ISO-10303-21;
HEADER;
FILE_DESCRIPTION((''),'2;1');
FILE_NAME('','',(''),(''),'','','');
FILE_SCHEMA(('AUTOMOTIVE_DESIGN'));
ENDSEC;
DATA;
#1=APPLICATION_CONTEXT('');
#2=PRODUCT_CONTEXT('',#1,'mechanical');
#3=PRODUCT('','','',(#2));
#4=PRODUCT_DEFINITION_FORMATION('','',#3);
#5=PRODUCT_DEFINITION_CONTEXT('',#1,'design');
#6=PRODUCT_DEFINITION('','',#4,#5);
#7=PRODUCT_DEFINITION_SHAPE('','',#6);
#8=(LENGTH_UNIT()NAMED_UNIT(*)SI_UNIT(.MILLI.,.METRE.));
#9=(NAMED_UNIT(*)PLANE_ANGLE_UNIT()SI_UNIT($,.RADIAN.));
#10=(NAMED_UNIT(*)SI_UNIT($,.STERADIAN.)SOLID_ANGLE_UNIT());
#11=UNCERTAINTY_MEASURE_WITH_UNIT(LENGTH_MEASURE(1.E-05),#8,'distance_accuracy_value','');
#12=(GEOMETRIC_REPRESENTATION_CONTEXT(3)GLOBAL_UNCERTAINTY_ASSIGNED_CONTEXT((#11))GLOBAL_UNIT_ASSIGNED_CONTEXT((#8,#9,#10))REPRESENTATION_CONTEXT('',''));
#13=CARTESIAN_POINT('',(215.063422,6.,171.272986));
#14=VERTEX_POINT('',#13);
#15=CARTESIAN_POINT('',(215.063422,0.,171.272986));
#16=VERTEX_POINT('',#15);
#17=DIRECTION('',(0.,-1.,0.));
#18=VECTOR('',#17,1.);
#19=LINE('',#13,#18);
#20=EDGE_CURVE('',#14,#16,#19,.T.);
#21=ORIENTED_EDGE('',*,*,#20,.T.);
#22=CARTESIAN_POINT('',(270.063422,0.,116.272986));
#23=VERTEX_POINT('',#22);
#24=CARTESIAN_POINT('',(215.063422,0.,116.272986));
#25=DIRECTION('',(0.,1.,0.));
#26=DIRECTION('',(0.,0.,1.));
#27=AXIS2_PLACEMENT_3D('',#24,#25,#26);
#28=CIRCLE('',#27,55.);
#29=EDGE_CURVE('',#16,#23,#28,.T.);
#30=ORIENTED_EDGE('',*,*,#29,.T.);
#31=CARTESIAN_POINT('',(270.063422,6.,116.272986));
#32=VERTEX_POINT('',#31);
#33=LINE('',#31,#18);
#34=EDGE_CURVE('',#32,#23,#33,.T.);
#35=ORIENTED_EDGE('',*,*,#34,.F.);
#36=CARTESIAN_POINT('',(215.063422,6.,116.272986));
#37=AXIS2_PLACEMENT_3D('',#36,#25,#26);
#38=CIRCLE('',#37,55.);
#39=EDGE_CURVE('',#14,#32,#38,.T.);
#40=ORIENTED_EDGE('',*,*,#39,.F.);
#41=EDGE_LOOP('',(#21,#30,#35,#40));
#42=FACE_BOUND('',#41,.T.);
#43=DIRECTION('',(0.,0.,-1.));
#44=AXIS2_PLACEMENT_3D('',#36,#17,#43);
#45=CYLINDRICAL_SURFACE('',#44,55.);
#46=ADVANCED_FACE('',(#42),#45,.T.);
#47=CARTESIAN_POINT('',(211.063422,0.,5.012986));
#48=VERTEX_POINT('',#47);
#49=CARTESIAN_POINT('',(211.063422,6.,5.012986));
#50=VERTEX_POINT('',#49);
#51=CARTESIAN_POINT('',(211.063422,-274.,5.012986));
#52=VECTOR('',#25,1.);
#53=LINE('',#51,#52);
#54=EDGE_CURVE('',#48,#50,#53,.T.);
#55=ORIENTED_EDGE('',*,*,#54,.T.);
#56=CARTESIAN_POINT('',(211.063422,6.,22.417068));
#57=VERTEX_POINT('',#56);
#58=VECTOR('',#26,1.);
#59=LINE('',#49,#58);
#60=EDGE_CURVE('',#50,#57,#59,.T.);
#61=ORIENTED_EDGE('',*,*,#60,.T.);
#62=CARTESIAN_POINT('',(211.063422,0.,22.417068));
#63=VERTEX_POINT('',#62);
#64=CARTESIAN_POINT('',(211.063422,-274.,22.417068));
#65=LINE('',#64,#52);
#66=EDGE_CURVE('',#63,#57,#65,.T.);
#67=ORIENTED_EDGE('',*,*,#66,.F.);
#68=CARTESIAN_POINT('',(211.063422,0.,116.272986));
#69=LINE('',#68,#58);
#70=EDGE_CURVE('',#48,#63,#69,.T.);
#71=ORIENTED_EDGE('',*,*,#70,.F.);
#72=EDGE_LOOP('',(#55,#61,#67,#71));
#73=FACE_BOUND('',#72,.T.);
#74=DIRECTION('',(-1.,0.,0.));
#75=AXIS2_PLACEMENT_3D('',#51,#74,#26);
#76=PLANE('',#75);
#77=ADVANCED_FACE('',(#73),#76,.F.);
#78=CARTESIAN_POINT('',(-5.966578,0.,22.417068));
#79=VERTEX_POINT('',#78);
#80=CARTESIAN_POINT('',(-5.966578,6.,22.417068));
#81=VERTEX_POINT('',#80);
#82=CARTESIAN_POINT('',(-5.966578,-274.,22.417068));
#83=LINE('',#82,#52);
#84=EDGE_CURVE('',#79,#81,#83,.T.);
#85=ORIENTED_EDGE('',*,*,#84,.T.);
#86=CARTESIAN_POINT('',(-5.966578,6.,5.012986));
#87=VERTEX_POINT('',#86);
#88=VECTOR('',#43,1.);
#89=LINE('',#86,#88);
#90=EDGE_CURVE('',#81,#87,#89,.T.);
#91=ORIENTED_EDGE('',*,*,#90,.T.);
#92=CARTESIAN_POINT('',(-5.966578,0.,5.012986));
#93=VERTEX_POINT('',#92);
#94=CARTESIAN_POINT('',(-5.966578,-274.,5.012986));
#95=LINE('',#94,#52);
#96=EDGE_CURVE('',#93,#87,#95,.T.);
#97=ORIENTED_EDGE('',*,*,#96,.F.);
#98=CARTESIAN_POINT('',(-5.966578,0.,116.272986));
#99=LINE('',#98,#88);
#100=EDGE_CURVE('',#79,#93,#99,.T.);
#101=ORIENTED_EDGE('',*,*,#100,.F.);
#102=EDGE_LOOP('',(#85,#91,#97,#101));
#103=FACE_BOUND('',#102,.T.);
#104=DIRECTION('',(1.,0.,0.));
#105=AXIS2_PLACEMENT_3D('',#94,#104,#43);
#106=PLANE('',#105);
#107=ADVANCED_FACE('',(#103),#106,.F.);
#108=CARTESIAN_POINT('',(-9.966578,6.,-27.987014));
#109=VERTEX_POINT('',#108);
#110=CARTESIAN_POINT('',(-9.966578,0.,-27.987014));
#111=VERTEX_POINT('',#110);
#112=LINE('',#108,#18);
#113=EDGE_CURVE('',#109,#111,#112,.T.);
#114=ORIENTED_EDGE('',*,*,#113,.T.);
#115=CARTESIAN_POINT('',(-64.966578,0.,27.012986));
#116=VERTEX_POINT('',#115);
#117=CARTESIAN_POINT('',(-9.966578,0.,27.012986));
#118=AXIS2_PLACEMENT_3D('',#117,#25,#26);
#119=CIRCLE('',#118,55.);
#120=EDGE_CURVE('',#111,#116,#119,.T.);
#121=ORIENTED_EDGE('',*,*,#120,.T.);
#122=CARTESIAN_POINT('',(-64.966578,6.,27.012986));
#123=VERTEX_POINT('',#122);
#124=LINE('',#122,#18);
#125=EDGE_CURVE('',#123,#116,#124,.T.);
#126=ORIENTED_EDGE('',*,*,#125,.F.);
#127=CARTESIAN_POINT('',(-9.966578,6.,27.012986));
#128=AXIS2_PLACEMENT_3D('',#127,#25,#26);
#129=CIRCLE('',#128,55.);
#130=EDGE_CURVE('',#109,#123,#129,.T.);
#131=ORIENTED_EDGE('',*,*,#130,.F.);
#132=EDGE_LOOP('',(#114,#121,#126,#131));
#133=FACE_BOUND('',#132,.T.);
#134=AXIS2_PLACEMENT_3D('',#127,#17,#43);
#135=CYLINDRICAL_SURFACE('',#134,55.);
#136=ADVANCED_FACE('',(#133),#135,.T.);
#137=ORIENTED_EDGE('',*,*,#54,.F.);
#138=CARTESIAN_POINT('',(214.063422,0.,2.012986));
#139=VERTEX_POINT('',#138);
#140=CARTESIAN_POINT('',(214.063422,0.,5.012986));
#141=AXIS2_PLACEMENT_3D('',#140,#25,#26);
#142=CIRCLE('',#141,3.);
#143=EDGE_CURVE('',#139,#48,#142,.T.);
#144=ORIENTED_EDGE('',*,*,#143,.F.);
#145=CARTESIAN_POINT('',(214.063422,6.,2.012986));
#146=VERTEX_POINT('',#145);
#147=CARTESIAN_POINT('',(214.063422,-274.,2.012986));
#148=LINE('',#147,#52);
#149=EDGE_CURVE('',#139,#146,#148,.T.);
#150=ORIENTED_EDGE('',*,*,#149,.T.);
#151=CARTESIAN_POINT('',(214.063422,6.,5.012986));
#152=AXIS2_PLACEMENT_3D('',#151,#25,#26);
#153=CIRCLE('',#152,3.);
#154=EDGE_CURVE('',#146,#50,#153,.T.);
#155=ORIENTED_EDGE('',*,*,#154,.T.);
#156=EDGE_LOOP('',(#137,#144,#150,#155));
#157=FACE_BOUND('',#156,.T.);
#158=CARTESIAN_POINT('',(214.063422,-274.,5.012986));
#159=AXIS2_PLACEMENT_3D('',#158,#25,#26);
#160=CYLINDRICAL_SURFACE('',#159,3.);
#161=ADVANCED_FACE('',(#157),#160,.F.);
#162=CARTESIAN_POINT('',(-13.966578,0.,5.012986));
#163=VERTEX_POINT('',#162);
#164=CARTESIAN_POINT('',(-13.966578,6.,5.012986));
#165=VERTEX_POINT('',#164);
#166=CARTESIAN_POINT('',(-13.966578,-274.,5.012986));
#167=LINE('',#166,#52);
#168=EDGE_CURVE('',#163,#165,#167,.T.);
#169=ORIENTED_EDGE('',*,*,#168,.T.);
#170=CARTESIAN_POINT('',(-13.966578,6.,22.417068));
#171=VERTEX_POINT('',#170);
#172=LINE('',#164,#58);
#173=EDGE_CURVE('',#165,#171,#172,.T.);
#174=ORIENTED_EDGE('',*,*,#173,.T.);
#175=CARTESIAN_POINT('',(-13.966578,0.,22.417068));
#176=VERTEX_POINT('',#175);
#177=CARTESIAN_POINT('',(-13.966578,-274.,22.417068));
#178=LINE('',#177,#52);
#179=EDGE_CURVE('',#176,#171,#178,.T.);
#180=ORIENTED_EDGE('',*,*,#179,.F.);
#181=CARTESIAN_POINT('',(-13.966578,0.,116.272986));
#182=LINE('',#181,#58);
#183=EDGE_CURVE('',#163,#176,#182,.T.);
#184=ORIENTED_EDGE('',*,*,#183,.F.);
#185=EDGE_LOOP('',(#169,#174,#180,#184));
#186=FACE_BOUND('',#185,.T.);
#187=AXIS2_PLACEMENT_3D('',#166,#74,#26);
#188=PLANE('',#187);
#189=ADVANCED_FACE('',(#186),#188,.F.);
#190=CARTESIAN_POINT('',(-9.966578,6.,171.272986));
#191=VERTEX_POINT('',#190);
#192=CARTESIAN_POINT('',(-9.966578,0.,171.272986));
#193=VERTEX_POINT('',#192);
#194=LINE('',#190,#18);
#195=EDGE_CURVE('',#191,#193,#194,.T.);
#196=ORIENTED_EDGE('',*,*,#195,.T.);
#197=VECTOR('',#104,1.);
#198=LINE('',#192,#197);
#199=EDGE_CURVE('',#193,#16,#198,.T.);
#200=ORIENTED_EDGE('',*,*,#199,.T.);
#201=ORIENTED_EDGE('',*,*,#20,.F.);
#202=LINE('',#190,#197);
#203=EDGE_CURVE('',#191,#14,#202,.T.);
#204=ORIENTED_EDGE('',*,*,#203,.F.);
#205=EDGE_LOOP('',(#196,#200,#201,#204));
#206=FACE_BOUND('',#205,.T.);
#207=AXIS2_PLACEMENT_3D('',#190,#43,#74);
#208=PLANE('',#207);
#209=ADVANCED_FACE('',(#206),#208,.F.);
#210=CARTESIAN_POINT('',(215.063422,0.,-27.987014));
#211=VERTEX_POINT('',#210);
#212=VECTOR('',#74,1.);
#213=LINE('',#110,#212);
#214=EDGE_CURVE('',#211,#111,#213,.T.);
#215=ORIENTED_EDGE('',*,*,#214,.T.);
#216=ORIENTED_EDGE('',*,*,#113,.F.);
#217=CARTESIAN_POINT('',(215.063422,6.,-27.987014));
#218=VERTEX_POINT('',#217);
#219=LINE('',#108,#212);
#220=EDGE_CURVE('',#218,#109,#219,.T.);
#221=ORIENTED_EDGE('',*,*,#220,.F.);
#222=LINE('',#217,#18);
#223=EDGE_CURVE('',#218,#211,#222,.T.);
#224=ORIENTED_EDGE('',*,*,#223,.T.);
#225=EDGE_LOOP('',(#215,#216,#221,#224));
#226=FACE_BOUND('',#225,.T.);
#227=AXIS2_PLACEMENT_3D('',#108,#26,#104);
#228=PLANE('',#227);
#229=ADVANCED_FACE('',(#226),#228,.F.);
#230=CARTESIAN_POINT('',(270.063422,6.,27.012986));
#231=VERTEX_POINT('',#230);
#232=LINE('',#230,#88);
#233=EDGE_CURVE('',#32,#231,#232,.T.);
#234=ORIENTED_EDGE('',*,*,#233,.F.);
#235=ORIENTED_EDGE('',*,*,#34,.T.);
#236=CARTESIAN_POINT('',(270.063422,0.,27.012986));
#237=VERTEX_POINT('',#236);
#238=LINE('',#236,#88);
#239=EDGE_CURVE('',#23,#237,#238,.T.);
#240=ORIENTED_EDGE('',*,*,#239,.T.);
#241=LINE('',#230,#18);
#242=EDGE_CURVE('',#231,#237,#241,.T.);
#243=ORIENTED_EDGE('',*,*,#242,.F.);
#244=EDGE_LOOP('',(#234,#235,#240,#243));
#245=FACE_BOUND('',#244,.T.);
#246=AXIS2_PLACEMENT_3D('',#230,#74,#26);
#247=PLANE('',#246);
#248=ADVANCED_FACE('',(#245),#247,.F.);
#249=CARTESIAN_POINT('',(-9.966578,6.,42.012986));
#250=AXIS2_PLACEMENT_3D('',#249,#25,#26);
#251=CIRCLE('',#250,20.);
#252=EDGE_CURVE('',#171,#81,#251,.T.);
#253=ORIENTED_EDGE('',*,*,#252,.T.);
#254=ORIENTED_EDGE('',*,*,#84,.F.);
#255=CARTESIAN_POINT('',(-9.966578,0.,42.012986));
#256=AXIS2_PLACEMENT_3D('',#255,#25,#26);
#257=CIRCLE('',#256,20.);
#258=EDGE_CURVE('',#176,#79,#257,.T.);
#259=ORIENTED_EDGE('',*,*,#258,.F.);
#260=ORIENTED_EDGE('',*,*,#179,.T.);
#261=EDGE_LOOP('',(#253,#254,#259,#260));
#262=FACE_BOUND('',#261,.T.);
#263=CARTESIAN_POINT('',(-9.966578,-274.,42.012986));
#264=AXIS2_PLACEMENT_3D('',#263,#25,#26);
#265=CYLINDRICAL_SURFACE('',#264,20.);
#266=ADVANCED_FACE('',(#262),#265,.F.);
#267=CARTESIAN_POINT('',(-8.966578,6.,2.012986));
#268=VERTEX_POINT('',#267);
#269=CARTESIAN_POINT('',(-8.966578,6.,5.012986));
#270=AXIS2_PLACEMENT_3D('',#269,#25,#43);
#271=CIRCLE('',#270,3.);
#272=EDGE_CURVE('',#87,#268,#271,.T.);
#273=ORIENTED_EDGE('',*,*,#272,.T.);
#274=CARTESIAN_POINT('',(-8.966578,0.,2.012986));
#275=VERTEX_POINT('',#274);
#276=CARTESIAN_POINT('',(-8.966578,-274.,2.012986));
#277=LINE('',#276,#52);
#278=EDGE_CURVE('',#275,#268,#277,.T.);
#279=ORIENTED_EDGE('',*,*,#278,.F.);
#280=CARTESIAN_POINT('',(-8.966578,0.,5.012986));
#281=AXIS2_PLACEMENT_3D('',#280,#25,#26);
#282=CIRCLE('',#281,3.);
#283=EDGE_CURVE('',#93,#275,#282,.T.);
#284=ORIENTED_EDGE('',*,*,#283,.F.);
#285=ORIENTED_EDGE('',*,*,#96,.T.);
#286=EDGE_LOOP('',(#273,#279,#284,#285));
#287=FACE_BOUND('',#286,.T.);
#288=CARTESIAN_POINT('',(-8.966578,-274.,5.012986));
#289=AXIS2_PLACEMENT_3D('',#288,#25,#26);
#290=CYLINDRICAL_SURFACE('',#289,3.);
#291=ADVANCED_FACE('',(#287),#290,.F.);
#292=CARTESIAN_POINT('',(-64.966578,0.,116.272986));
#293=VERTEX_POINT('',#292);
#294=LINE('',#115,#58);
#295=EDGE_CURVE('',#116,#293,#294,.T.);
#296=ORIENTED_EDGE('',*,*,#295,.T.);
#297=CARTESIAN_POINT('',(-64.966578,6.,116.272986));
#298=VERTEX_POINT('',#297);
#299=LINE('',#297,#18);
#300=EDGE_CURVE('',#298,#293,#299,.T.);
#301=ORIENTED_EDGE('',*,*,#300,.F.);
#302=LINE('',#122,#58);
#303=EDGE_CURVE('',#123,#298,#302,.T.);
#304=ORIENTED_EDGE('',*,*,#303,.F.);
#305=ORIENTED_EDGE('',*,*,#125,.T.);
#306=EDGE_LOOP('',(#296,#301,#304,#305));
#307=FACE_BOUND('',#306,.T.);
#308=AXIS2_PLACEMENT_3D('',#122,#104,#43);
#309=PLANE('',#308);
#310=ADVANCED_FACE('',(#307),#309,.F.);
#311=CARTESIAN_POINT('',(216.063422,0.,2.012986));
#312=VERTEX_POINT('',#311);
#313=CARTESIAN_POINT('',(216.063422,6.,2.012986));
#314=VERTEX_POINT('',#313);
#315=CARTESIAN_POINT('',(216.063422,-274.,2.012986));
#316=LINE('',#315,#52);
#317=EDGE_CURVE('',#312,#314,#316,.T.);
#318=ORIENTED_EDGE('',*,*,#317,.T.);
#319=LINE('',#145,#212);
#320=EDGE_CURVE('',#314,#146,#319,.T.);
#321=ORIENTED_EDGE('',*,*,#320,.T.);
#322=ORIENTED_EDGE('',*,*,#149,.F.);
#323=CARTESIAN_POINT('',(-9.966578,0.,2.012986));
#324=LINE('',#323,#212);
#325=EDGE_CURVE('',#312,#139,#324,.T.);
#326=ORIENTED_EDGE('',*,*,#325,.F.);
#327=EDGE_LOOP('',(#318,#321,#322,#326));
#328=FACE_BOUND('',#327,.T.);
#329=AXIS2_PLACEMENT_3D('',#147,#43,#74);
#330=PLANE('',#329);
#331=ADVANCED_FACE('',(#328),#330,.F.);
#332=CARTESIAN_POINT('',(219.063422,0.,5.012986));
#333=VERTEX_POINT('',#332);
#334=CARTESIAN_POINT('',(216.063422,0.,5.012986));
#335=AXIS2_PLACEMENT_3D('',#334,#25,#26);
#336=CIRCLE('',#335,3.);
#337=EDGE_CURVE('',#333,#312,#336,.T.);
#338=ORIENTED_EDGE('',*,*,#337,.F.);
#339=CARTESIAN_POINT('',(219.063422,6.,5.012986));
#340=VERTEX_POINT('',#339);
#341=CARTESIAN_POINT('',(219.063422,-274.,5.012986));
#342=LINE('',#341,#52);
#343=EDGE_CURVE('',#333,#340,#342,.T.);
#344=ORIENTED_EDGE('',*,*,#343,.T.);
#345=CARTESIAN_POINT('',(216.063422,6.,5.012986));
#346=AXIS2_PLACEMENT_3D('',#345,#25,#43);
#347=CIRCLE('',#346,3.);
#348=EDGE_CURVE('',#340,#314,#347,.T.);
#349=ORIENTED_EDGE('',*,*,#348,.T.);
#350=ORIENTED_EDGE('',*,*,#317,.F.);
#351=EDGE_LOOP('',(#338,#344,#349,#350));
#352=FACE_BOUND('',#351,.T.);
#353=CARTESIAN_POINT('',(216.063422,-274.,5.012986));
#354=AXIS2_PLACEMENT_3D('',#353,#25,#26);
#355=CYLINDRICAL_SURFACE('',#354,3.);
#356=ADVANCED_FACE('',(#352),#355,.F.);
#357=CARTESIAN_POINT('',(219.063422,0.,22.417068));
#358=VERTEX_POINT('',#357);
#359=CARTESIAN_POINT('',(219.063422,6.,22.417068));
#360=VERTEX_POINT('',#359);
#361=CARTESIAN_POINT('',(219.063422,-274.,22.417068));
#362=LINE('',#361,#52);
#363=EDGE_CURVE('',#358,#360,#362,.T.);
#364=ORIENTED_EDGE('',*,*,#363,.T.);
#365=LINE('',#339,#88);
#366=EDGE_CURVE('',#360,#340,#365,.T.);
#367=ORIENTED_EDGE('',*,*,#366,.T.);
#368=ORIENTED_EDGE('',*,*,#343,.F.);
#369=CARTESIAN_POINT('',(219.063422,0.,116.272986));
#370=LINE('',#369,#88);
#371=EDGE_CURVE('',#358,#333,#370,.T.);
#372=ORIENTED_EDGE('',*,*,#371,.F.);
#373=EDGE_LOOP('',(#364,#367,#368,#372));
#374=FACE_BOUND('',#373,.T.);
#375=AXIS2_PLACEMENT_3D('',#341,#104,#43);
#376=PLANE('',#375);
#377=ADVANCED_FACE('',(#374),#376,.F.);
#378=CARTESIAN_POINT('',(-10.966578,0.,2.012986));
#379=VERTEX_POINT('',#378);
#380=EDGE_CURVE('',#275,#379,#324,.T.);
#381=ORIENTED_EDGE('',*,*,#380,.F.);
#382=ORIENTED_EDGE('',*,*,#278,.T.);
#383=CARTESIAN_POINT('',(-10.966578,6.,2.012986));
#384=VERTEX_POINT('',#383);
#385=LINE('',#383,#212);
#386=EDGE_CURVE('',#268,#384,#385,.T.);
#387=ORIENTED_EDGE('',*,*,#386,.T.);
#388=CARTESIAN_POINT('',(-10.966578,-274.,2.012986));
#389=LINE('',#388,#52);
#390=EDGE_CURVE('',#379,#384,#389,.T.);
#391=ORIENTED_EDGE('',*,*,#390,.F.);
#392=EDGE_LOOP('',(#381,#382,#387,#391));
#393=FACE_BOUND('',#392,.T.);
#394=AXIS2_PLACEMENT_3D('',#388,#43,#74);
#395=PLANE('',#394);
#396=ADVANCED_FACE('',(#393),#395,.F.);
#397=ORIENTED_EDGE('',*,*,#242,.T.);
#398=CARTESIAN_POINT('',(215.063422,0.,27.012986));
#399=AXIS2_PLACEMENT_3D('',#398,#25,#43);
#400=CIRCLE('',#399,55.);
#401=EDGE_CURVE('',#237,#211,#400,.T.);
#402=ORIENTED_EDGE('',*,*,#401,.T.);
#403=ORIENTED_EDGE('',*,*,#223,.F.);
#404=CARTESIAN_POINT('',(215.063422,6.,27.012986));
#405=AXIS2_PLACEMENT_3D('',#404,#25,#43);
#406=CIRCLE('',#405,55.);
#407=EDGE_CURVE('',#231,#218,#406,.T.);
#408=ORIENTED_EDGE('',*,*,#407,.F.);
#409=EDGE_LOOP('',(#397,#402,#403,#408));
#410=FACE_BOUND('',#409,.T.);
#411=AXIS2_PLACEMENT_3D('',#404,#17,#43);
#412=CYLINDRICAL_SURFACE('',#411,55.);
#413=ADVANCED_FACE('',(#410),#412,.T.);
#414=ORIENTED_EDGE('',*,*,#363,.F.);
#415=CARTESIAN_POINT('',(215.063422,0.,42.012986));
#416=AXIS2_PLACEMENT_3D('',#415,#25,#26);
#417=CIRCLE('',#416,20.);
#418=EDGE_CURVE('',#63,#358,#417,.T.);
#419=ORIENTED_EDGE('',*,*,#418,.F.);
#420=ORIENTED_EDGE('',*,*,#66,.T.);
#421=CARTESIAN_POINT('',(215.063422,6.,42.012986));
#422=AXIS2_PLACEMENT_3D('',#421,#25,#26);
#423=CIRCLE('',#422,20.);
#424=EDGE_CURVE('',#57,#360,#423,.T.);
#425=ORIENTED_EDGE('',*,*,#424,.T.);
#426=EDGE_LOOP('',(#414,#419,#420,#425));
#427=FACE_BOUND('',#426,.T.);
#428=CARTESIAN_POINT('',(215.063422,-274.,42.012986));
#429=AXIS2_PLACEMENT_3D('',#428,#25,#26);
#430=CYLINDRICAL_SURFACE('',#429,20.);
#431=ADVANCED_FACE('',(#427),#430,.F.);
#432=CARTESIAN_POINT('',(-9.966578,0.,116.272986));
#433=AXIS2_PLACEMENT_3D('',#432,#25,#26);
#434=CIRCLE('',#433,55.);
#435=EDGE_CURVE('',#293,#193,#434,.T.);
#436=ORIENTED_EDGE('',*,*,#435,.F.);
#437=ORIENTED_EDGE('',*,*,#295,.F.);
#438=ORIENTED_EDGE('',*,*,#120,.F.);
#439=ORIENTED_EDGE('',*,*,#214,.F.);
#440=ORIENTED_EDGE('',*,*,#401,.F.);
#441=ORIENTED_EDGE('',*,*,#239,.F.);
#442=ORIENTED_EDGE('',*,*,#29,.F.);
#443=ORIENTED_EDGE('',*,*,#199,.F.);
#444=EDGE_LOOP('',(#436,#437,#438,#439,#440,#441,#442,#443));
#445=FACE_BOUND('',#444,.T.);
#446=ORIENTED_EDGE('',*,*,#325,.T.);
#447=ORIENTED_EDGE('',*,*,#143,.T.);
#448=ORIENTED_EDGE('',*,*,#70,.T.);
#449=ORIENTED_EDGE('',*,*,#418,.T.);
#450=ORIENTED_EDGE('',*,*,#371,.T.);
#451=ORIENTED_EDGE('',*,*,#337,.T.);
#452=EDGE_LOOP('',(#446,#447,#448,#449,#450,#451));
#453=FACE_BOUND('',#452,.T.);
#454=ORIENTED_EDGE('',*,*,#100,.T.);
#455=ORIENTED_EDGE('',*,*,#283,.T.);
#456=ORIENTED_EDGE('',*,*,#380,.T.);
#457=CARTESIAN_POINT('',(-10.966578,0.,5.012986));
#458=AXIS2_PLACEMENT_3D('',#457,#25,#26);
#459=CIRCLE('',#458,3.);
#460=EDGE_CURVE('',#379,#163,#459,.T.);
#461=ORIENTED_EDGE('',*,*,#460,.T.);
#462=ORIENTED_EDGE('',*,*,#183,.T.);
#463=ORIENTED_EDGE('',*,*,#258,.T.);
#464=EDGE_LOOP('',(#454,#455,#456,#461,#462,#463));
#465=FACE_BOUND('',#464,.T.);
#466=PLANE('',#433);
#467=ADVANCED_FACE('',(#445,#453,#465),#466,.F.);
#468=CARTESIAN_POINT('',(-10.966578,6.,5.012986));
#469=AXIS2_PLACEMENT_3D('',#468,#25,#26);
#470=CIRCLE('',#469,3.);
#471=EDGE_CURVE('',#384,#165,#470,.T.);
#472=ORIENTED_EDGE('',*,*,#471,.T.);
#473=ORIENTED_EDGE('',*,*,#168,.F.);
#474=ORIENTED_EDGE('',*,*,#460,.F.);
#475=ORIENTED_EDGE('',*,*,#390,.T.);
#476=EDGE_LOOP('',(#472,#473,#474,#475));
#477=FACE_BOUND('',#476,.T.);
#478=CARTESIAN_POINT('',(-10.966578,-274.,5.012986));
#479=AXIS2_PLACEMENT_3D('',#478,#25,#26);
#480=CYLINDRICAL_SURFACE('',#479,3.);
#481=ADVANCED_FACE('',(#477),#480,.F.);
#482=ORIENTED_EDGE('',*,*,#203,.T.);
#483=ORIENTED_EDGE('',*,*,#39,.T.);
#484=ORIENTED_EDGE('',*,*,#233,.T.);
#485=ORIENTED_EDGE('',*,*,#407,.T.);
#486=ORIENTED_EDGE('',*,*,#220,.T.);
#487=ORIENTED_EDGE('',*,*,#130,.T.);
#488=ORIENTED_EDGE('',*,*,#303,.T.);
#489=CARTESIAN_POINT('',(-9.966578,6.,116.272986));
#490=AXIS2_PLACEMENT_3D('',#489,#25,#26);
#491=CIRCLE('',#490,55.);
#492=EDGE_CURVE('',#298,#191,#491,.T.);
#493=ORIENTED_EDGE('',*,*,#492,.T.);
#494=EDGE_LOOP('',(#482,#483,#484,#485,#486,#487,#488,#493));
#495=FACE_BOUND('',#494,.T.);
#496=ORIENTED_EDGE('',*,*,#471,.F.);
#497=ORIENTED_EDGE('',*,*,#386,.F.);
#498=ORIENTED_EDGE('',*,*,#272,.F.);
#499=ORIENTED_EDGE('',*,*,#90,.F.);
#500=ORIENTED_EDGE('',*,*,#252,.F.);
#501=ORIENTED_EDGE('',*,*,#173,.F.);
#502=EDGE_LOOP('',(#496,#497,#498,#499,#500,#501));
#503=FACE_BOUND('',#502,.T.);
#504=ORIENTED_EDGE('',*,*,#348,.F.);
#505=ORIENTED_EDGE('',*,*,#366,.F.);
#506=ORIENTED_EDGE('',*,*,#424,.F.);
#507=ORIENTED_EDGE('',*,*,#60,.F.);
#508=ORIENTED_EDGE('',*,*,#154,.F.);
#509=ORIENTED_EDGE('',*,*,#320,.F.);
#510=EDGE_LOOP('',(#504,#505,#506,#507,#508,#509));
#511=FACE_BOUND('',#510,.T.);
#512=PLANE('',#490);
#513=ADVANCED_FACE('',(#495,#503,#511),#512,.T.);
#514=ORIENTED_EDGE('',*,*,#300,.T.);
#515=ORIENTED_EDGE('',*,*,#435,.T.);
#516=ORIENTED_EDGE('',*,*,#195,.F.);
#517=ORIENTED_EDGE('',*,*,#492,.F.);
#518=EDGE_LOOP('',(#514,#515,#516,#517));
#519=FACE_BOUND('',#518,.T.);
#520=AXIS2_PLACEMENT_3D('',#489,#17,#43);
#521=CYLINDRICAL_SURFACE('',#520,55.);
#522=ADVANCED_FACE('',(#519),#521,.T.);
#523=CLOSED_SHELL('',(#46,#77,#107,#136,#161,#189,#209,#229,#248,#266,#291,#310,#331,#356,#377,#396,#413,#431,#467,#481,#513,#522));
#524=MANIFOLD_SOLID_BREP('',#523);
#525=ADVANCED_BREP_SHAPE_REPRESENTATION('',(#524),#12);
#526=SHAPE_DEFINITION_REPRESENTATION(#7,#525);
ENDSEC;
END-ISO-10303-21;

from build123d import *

# Parameters (mm, degrees)
BOSS_EXTRUDE1_DEPTH = 6
CUT_EXTRUDE2_DEPTH  = 280


with BuildPart() as part:
    # Sketch1 → Boss-Extrude1 (new body)
    with BuildSketch(Plane(origin=(0, 0, 0), x_dir=(1, 0, 0), z_dir=(0, 1, 0))):
        with BuildLine():
            Line((-9.966577693, 27.987014401), (215.063422307, 27.987014401))
            ThreePointArc((215.063422307, 27.987014401), (253.954295273, 11.877887367), (270.063422307, -27.012985599))
            Line((270.063422307, -27.012985599), (270.063422307, -116.272985599))
            ThreePointArc((270.063422307, -116.272985599), (253.954295273, -155.163858564), (215.063422307, -171.272985599))
            Line((215.063422307, -171.272985599), (-9.966577693, -171.272985599))
            ThreePointArc((-9.966577693, -171.272985599), (-48.857450658, -155.163858564), (-64.966577693, -116.272985599))
            Line((-64.966577693, -116.272985599), (-64.966577693, -27.012985599))
            ThreePointArc((-64.966577693, -27.012985599), (-48.857450658, 11.877887367), (-9.966577693, 27.987014401))
        make_face()
    extrude(amount=BOSS_EXTRUDE1_DEPTH)

    # Sketch3 → Cut-Extrude2 (cut)
    with BuildSketch(Plane(origin=(0, 6, 0), x_dir=(1, 0, 0), z_dir=(0, 1, 0))):
        with BuildLine():
            Line((-10.966577693, -2.012985599), (-8.966577693, -2.012985599))
            ThreePointArc((-8.966577693, -2.012985599), (-6.845257349, -2.891665255), (-5.966577693, -5.012985599))
            Line((-5.966577693, -5.012985599), (-5.966577693, -22.417067656))
            ThreePointArc((-5.966577693, -22.417067656), (-9.966577693, -62.012985599), (-13.966577693, -22.417067656))
            Line((-13.966577693, -22.417067656), (-13.966577693, -5.012985599))
            ThreePointArc((-13.966577693, -5.012985599), (-13.087898036, -2.891665255), (-10.966577693, -2.012985599))
        make_face()
        with BuildLine():
            Line((214.063422307, -2.012985599), (216.063422307, -2.012985599))
            ThreePointArc((216.063422307, -2.012985599), (218.184742651, -2.891665255), (219.063422307, -5.012985599))
            Line((219.063422307, -5.012985599), (219.063422307, -22.417067656))
            ThreePointArc((219.063422307, -22.417067656), (215.063422307, -62.012985599), (211.063422307, -22.417067656))
            Line((211.063422307, -22.417067656), (211.063422307, -5.012985599))
            ThreePointArc((211.063422307, -5.012985599), (211.942101964, -2.891665255), (214.063422307, -2.012985599))
        make_face()
    extrude(amount=-CUT_EXTRUDE2_DEPTH, mode=Mode.SUBTRACT)


solid = part.part
